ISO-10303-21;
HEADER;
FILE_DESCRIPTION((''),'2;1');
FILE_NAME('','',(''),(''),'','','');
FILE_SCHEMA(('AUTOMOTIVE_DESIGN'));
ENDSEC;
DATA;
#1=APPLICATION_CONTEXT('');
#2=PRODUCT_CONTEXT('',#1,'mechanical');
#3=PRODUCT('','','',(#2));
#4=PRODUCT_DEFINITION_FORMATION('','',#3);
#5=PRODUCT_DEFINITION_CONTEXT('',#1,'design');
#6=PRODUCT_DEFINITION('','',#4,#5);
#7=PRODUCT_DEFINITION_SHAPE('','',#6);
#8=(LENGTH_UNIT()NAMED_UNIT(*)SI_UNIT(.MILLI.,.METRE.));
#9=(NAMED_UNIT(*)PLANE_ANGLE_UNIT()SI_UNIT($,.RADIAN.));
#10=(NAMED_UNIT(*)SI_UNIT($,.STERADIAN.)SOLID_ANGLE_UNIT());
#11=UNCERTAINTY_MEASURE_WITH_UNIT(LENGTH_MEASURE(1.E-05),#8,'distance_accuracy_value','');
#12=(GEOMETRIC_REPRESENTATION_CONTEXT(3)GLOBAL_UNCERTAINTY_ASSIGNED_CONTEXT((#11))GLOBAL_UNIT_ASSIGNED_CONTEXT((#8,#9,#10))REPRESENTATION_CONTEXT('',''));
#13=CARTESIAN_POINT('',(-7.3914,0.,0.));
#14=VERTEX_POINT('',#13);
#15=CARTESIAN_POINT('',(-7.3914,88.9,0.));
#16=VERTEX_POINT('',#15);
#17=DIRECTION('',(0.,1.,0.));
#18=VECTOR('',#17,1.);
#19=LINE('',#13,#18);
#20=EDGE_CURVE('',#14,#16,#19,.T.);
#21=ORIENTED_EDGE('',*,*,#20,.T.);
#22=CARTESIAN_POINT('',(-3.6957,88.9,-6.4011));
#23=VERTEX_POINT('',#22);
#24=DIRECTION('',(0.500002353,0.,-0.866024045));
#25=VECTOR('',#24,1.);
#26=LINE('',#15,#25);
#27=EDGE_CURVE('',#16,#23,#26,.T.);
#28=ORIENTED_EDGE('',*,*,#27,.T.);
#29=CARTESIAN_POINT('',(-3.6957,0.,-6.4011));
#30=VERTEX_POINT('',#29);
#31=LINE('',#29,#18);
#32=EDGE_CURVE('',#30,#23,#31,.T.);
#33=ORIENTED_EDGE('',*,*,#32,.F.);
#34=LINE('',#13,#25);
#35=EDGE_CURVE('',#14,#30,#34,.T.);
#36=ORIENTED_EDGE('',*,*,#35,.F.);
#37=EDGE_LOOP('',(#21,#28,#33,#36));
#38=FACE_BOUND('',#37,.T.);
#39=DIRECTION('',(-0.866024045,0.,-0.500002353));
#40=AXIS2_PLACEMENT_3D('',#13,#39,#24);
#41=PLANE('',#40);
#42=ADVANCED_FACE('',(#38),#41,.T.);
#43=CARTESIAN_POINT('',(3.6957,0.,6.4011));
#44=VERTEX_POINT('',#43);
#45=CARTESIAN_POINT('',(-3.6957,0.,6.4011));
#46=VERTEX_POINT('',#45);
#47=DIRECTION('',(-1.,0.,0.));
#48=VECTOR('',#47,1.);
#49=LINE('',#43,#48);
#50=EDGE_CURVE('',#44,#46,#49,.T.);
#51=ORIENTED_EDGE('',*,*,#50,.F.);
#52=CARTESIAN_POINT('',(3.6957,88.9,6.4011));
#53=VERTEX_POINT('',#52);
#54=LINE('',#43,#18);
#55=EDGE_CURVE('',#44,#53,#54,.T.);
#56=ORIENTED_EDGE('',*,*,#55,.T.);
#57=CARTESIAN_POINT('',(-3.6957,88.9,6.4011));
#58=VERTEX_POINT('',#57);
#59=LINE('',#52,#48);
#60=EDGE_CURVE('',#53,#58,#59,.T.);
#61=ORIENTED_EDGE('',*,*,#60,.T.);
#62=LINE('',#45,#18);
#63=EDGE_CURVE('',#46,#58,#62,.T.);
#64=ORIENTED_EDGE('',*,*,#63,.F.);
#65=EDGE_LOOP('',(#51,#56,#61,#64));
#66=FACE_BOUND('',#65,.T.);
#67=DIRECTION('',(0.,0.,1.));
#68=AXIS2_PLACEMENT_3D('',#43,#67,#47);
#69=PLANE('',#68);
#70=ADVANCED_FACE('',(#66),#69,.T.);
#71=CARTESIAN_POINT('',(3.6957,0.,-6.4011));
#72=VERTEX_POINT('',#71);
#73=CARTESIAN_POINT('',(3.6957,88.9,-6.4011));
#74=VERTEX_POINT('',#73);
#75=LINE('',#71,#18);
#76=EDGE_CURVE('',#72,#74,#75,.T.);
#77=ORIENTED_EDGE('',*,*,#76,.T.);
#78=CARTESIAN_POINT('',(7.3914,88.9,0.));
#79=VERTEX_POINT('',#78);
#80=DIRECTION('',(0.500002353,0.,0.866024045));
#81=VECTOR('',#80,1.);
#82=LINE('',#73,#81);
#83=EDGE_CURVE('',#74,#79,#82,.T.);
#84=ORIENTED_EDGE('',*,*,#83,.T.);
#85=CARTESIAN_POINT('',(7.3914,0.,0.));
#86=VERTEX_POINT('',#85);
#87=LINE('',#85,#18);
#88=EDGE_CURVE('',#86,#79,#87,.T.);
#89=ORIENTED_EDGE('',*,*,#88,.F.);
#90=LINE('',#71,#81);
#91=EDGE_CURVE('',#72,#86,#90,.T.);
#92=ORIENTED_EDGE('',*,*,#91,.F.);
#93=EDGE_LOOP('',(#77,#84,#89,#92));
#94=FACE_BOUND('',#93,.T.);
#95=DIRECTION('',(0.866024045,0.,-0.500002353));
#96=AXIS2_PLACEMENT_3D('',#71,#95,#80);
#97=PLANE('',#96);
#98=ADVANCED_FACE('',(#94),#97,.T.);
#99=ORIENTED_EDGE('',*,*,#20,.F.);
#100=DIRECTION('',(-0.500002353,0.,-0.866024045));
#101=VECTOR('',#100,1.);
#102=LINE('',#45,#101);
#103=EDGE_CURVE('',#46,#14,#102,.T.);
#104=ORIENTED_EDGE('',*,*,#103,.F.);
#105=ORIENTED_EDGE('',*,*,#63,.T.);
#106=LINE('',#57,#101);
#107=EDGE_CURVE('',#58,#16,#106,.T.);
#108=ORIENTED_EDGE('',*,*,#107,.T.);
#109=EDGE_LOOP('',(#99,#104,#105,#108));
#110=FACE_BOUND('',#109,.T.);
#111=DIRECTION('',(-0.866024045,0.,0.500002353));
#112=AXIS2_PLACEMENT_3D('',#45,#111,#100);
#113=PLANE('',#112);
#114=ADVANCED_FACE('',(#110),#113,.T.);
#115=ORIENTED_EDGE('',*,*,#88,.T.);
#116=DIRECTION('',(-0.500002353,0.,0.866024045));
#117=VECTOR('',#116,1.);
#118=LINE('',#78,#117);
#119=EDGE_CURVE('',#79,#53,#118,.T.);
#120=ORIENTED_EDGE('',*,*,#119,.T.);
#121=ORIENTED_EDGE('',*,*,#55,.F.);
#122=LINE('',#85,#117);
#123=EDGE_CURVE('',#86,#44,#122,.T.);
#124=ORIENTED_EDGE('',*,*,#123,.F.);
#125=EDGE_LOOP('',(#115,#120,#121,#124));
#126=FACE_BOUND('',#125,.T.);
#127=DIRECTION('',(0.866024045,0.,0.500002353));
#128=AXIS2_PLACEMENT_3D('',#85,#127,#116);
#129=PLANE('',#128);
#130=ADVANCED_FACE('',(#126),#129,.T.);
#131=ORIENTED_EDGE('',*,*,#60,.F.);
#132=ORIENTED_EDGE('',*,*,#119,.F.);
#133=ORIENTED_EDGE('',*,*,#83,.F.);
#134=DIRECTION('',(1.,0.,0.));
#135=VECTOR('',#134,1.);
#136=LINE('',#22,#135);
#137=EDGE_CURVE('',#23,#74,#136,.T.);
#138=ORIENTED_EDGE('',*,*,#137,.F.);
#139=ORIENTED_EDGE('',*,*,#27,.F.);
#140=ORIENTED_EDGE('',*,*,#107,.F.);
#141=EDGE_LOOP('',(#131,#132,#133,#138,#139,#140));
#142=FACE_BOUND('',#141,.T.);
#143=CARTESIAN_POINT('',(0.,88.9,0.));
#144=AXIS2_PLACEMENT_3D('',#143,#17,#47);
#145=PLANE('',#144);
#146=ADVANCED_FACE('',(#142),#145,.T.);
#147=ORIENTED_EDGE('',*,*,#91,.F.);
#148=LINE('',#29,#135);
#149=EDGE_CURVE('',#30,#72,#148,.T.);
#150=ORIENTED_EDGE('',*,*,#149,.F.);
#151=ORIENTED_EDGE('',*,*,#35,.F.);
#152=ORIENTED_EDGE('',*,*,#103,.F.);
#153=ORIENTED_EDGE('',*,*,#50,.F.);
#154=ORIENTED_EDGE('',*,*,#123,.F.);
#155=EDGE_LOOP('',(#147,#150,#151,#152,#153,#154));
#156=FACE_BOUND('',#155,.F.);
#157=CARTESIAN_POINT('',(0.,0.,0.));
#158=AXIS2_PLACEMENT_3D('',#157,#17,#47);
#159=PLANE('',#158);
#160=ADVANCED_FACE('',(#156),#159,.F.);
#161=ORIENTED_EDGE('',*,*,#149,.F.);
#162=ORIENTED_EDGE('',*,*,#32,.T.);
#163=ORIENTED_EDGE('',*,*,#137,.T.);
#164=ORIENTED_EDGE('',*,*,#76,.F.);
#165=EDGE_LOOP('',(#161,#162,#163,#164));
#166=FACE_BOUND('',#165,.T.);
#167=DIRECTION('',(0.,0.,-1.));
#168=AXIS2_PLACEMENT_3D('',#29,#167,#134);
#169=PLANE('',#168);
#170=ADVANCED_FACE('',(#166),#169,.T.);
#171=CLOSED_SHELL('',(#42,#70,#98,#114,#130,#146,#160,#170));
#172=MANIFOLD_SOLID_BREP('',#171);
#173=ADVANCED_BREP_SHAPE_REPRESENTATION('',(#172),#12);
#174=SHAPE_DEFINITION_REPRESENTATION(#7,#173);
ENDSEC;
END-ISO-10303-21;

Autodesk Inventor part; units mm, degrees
ref_plane "YZ Plane" through (0, 0, 0) normal (1, 0, 0) x (0, 1, 0)
ref_plane "XZ Plane" through (0, 0, 0) normal (0, 1, 0) x (-1, 0, 0)
ref_plane "XY Plane" through (0, 0, 0) normal (0, 0, 1) x (1, 0, 0)
sketch "Sketch1" plane through (0, 0, 0) normal (0, 1, 0) x (-1, 0, 0)
  line L0 (-7.3914, 0) -> (-3.6957, 6.4011)
  line L1 (-3.6957, 6.4011) -> (3.6957, 6.4011)
  line L2 (3.6957, 6.4011) -> (7.3914, 0)
  line L3 (7.3914, 0) -> (3.6957, -6.4011)
  line L4 (3.6957, -6.4011) -> (-3.6957, -6.4011)
  line L5 (-3.6957, -6.4011) -> (-7.3914, 0)
  point P0 (0, 0)
  point P1 (0, 0)
  dimension "d0" = 14.7828
extrude "Extrusion1" add sketch "Sketch1" along normal blind 88.9
properties part number "3in hex shaft" material "Aluminum 6061"
